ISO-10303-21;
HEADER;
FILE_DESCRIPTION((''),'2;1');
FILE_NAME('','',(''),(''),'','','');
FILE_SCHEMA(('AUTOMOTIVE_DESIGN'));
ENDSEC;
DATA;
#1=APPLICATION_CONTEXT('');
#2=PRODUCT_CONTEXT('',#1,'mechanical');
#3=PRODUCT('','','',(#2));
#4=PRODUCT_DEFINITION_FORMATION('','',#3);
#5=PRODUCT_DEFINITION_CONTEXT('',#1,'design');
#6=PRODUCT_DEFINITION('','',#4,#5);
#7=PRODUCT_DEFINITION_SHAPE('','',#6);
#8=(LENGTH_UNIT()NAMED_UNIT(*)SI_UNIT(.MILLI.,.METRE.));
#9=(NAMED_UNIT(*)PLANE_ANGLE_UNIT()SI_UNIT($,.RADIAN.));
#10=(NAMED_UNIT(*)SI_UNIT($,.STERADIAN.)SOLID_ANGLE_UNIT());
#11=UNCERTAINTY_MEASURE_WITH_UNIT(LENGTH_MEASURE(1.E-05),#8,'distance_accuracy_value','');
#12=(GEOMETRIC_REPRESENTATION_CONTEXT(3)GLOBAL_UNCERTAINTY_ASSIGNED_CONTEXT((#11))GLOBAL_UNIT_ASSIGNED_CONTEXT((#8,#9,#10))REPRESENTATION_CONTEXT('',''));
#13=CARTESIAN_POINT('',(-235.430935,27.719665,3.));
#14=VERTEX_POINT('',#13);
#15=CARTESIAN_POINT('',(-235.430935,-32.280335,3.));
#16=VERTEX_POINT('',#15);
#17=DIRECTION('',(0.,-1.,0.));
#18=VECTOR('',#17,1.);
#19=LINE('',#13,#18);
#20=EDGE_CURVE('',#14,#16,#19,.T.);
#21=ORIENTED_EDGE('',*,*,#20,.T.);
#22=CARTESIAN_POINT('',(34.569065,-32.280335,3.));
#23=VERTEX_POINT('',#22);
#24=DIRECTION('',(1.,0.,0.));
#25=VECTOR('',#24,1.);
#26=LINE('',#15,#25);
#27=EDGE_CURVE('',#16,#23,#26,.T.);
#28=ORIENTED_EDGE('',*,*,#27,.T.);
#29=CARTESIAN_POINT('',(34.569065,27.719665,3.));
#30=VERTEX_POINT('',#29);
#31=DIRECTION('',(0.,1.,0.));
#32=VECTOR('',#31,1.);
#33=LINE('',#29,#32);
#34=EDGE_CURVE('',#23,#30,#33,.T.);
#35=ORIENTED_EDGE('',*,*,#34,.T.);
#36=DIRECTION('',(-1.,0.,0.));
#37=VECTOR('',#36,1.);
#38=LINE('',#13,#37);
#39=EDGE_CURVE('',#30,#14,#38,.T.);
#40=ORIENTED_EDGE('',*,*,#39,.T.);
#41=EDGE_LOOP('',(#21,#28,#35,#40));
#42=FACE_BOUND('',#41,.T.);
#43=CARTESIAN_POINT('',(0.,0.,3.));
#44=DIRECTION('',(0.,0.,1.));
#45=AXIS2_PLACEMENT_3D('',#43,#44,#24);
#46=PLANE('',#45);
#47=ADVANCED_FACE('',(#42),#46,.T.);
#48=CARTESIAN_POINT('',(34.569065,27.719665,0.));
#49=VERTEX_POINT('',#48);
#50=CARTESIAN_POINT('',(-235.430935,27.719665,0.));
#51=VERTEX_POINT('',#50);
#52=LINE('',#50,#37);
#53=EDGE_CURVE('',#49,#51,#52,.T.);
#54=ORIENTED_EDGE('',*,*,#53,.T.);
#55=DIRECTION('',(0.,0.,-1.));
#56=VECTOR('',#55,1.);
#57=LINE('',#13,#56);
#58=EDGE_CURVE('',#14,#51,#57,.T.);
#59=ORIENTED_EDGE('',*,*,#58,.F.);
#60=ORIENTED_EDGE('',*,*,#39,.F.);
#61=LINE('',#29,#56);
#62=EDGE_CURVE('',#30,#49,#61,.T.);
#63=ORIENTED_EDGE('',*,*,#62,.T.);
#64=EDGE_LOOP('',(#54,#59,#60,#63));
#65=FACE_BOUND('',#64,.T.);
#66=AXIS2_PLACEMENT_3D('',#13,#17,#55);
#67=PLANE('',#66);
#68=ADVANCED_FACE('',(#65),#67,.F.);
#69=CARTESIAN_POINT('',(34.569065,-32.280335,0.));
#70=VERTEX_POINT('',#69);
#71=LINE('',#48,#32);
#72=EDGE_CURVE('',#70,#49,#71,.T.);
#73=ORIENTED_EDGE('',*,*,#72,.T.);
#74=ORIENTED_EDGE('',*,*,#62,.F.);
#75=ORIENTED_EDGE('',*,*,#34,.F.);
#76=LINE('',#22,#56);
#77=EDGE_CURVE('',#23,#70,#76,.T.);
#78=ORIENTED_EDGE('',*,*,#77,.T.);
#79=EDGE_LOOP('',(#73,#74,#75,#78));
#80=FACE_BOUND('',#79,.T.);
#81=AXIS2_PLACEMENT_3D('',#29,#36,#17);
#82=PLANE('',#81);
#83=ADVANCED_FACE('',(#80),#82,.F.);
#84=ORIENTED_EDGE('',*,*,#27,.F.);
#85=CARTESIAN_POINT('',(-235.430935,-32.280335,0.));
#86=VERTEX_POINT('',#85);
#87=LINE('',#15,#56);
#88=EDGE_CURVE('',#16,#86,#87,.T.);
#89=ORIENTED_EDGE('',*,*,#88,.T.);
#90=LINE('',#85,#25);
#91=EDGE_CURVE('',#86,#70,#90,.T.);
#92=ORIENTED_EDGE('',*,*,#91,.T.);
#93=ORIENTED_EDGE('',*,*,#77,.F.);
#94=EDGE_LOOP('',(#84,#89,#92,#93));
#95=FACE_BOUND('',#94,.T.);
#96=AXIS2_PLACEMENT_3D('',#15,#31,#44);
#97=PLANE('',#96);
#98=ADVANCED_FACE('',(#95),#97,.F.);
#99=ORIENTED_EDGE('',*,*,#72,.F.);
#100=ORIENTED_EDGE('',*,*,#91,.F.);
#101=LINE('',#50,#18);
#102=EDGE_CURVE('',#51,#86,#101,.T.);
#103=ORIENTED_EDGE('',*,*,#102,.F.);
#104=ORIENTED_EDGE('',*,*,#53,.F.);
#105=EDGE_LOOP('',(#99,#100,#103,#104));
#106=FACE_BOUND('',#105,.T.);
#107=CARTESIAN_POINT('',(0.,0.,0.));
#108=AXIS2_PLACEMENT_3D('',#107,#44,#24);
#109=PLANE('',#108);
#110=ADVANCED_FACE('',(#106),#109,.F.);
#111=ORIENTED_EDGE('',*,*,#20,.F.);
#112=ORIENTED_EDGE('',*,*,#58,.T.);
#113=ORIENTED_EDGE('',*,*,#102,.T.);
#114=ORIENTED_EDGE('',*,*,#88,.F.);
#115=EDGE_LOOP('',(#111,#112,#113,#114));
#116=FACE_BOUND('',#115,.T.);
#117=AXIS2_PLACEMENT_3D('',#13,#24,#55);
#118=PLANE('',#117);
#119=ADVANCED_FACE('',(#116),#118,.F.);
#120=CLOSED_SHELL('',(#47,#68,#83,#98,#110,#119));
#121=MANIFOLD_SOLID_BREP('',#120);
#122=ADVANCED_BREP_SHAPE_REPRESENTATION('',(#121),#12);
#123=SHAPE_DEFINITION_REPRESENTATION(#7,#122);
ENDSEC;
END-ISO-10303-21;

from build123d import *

# Parameters (mm, degrees)
ESQUISSE1_W        = 270
ESQUISSE1_H        = 60
BOSS_EXTRU_1_DEPTH = 3


with BuildPart() as part:
    # Esquisse1 → Boss.-Extru.1 (new body)
    with BuildSketch(Plane.XY):
        with Locations((-100.430934816, -2.280334728)):
            Rectangle(ESQUISSE1_W, ESQUISSE1_H)
    extrude(amount=BOSS_EXTRU_1_DEPTH)


solid = part.part
